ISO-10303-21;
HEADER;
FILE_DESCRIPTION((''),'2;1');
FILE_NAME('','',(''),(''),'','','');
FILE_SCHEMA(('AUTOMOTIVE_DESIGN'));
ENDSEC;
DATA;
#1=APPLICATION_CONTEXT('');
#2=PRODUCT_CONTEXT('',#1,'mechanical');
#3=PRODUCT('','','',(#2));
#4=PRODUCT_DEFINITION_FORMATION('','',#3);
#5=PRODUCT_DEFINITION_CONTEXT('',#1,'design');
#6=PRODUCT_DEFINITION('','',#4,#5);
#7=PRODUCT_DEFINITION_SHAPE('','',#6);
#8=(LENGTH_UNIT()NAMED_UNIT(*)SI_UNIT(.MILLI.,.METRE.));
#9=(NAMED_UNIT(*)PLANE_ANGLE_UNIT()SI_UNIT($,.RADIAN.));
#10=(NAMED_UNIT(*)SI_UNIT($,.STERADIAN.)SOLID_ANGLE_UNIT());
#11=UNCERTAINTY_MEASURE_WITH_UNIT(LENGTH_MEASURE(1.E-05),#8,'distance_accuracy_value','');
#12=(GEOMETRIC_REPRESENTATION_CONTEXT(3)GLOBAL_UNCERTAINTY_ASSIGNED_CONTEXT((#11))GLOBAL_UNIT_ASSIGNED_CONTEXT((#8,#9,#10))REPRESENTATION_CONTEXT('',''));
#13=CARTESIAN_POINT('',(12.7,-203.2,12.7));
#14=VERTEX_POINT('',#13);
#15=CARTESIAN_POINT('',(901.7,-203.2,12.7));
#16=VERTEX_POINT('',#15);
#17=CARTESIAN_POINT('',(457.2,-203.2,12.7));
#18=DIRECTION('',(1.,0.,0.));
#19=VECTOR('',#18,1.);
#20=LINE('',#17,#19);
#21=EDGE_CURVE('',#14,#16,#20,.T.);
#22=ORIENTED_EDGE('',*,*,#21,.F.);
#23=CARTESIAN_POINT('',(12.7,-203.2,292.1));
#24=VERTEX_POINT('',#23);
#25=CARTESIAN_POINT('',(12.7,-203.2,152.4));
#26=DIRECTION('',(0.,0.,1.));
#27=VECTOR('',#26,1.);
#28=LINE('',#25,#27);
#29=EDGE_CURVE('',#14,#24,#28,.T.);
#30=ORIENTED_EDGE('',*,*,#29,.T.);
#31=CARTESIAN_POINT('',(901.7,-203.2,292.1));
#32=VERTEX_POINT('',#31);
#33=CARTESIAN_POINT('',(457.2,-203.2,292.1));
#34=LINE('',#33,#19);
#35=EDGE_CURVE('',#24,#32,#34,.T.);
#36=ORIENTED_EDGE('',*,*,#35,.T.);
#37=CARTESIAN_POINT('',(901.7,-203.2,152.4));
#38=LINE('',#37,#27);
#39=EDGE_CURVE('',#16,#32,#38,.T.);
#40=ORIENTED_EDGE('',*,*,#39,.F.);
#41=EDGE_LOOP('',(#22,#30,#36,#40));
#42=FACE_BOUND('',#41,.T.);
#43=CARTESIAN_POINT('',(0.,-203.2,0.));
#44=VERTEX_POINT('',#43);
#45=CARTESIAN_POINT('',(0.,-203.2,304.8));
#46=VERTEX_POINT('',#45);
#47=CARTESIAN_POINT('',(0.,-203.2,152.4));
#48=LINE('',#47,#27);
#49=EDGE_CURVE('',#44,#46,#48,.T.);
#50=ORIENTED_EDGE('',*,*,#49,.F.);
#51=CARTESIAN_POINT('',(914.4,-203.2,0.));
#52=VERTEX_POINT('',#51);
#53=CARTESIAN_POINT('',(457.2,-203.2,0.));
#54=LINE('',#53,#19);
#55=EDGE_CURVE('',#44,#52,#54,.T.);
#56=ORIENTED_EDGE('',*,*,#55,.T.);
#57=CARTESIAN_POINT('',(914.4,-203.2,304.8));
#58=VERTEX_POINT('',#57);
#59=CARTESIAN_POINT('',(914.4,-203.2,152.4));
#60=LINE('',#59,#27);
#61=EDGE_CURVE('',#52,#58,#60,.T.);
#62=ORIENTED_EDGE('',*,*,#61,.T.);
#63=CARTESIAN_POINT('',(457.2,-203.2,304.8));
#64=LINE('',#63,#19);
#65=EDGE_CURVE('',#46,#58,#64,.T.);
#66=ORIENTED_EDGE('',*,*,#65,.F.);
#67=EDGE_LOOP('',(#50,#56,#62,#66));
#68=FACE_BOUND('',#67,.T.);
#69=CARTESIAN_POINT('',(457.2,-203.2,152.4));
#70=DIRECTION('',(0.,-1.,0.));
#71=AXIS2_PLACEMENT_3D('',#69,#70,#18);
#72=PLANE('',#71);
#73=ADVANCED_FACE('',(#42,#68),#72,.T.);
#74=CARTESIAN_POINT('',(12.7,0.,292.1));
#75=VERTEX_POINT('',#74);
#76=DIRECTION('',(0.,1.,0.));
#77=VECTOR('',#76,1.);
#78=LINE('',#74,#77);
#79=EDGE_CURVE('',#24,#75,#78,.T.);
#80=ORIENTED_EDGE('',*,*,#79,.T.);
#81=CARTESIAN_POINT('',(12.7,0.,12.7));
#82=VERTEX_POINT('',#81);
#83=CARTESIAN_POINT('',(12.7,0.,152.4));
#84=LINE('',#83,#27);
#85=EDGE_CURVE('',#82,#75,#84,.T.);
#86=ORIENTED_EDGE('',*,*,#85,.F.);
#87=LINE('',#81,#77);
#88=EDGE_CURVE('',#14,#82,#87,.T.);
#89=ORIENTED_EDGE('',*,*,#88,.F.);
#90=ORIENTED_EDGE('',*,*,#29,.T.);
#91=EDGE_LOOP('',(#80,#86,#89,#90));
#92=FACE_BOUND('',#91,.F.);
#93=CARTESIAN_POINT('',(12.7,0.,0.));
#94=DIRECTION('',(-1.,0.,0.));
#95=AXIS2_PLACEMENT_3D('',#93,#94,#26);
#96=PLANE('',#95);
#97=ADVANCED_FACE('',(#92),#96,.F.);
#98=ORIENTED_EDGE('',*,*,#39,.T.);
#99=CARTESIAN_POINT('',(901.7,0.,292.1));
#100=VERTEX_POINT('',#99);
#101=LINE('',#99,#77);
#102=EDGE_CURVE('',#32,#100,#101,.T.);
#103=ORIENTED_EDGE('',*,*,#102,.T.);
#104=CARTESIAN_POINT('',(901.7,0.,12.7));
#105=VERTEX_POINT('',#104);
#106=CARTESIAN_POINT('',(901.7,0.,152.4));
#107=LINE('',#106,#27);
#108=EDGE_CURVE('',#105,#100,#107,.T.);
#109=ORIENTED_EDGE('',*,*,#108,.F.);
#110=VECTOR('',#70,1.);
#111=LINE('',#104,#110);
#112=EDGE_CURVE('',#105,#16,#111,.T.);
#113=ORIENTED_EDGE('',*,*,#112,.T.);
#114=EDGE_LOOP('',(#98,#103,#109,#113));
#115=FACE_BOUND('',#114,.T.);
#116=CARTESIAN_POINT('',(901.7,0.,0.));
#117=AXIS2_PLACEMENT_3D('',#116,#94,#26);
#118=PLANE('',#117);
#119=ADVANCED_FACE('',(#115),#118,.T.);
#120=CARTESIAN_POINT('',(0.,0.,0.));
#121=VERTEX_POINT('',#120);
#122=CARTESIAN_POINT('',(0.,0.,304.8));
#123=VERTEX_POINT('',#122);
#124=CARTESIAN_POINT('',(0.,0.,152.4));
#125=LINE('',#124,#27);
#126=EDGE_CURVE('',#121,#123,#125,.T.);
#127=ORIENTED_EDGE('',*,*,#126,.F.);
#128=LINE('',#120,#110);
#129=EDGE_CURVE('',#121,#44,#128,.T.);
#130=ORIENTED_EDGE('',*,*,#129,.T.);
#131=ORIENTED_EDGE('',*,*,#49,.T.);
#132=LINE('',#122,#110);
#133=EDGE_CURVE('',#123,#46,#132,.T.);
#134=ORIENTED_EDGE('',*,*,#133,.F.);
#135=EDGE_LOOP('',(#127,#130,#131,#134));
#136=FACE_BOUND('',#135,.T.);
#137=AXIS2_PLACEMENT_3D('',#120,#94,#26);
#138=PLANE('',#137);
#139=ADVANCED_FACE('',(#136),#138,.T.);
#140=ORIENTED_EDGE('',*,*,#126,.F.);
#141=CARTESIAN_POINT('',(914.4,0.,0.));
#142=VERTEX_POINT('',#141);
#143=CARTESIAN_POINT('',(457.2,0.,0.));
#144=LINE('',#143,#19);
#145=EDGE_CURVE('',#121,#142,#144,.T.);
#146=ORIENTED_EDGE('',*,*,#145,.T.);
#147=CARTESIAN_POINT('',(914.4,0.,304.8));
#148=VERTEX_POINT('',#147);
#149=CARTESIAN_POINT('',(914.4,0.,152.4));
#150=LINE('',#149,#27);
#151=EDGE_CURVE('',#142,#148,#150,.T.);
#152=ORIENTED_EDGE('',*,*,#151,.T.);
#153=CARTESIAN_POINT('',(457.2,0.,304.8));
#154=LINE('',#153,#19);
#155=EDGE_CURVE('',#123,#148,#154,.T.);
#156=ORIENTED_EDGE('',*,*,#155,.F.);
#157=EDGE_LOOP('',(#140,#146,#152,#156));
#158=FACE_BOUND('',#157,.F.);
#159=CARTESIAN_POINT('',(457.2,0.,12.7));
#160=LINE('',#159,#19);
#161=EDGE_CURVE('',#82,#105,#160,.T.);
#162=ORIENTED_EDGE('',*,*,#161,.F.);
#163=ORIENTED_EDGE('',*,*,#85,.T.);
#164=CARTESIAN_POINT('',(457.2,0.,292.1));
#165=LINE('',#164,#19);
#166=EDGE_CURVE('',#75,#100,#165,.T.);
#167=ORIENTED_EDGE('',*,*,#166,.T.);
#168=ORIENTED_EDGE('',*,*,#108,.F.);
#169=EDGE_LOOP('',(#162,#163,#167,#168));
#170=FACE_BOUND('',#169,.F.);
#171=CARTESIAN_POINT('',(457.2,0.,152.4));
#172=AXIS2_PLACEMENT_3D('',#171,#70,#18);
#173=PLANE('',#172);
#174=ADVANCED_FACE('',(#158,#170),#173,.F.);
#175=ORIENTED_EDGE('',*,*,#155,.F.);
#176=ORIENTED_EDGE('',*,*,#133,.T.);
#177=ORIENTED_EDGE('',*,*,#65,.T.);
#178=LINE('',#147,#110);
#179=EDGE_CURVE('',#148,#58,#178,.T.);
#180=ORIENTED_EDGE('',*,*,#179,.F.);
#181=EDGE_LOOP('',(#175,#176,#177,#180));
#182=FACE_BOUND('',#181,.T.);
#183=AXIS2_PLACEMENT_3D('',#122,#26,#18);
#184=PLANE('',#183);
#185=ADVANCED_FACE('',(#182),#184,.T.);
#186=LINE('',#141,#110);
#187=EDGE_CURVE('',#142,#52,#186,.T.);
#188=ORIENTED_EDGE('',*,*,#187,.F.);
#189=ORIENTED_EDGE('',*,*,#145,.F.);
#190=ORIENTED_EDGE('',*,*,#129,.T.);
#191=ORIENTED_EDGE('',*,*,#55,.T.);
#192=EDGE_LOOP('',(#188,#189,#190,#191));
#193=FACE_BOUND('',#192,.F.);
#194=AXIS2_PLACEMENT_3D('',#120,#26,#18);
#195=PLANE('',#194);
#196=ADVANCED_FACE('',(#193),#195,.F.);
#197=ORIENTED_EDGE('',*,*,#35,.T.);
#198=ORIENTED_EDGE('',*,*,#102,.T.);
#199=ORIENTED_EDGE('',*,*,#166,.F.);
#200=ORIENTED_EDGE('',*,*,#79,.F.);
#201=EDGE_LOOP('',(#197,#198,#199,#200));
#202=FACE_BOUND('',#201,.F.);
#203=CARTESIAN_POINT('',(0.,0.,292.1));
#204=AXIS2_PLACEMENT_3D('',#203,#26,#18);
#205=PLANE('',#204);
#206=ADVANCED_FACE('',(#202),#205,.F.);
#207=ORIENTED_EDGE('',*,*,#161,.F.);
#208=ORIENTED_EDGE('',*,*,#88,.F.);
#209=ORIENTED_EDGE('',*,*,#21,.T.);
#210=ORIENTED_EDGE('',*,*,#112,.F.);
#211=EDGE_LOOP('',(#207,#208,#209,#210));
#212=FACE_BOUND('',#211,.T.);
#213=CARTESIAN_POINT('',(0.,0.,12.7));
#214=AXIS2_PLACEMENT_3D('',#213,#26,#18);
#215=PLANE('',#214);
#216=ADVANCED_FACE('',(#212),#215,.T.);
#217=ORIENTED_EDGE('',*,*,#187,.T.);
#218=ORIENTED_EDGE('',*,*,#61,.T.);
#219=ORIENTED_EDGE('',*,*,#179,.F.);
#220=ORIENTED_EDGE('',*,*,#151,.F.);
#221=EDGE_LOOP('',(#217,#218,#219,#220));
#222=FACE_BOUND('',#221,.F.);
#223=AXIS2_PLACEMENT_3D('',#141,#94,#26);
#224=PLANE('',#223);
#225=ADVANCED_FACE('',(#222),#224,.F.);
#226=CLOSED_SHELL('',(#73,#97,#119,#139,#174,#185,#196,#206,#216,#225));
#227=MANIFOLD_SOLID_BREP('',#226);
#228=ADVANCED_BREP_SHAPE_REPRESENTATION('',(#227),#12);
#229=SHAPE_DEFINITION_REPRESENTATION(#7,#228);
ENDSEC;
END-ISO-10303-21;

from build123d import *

# Parameters (mm, degrees)
F0_W     = 914.4
F0_H     = 304.8
F1_DEPTH = 203.2
F2_T     = -12.7


with BuildPart() as f1:
    # F0 (on Front) → F1 (new body)
    with BuildSketch(Plane.XZ):
        with Locations((457.2, 152.4)):
            Rectangle(F0_W, F0_H)
    extrude(amount=F1_DEPTH)

    # F2
    f2_openings = [f1.faces().sort_by_distance(p)[0] for p in [
        (457.2, -203.2, 152.4),
        (457.2, 0, 152.4),
    ]]
    offset(amount=F2_T, openings=f2_openings)


solid = f1.part
